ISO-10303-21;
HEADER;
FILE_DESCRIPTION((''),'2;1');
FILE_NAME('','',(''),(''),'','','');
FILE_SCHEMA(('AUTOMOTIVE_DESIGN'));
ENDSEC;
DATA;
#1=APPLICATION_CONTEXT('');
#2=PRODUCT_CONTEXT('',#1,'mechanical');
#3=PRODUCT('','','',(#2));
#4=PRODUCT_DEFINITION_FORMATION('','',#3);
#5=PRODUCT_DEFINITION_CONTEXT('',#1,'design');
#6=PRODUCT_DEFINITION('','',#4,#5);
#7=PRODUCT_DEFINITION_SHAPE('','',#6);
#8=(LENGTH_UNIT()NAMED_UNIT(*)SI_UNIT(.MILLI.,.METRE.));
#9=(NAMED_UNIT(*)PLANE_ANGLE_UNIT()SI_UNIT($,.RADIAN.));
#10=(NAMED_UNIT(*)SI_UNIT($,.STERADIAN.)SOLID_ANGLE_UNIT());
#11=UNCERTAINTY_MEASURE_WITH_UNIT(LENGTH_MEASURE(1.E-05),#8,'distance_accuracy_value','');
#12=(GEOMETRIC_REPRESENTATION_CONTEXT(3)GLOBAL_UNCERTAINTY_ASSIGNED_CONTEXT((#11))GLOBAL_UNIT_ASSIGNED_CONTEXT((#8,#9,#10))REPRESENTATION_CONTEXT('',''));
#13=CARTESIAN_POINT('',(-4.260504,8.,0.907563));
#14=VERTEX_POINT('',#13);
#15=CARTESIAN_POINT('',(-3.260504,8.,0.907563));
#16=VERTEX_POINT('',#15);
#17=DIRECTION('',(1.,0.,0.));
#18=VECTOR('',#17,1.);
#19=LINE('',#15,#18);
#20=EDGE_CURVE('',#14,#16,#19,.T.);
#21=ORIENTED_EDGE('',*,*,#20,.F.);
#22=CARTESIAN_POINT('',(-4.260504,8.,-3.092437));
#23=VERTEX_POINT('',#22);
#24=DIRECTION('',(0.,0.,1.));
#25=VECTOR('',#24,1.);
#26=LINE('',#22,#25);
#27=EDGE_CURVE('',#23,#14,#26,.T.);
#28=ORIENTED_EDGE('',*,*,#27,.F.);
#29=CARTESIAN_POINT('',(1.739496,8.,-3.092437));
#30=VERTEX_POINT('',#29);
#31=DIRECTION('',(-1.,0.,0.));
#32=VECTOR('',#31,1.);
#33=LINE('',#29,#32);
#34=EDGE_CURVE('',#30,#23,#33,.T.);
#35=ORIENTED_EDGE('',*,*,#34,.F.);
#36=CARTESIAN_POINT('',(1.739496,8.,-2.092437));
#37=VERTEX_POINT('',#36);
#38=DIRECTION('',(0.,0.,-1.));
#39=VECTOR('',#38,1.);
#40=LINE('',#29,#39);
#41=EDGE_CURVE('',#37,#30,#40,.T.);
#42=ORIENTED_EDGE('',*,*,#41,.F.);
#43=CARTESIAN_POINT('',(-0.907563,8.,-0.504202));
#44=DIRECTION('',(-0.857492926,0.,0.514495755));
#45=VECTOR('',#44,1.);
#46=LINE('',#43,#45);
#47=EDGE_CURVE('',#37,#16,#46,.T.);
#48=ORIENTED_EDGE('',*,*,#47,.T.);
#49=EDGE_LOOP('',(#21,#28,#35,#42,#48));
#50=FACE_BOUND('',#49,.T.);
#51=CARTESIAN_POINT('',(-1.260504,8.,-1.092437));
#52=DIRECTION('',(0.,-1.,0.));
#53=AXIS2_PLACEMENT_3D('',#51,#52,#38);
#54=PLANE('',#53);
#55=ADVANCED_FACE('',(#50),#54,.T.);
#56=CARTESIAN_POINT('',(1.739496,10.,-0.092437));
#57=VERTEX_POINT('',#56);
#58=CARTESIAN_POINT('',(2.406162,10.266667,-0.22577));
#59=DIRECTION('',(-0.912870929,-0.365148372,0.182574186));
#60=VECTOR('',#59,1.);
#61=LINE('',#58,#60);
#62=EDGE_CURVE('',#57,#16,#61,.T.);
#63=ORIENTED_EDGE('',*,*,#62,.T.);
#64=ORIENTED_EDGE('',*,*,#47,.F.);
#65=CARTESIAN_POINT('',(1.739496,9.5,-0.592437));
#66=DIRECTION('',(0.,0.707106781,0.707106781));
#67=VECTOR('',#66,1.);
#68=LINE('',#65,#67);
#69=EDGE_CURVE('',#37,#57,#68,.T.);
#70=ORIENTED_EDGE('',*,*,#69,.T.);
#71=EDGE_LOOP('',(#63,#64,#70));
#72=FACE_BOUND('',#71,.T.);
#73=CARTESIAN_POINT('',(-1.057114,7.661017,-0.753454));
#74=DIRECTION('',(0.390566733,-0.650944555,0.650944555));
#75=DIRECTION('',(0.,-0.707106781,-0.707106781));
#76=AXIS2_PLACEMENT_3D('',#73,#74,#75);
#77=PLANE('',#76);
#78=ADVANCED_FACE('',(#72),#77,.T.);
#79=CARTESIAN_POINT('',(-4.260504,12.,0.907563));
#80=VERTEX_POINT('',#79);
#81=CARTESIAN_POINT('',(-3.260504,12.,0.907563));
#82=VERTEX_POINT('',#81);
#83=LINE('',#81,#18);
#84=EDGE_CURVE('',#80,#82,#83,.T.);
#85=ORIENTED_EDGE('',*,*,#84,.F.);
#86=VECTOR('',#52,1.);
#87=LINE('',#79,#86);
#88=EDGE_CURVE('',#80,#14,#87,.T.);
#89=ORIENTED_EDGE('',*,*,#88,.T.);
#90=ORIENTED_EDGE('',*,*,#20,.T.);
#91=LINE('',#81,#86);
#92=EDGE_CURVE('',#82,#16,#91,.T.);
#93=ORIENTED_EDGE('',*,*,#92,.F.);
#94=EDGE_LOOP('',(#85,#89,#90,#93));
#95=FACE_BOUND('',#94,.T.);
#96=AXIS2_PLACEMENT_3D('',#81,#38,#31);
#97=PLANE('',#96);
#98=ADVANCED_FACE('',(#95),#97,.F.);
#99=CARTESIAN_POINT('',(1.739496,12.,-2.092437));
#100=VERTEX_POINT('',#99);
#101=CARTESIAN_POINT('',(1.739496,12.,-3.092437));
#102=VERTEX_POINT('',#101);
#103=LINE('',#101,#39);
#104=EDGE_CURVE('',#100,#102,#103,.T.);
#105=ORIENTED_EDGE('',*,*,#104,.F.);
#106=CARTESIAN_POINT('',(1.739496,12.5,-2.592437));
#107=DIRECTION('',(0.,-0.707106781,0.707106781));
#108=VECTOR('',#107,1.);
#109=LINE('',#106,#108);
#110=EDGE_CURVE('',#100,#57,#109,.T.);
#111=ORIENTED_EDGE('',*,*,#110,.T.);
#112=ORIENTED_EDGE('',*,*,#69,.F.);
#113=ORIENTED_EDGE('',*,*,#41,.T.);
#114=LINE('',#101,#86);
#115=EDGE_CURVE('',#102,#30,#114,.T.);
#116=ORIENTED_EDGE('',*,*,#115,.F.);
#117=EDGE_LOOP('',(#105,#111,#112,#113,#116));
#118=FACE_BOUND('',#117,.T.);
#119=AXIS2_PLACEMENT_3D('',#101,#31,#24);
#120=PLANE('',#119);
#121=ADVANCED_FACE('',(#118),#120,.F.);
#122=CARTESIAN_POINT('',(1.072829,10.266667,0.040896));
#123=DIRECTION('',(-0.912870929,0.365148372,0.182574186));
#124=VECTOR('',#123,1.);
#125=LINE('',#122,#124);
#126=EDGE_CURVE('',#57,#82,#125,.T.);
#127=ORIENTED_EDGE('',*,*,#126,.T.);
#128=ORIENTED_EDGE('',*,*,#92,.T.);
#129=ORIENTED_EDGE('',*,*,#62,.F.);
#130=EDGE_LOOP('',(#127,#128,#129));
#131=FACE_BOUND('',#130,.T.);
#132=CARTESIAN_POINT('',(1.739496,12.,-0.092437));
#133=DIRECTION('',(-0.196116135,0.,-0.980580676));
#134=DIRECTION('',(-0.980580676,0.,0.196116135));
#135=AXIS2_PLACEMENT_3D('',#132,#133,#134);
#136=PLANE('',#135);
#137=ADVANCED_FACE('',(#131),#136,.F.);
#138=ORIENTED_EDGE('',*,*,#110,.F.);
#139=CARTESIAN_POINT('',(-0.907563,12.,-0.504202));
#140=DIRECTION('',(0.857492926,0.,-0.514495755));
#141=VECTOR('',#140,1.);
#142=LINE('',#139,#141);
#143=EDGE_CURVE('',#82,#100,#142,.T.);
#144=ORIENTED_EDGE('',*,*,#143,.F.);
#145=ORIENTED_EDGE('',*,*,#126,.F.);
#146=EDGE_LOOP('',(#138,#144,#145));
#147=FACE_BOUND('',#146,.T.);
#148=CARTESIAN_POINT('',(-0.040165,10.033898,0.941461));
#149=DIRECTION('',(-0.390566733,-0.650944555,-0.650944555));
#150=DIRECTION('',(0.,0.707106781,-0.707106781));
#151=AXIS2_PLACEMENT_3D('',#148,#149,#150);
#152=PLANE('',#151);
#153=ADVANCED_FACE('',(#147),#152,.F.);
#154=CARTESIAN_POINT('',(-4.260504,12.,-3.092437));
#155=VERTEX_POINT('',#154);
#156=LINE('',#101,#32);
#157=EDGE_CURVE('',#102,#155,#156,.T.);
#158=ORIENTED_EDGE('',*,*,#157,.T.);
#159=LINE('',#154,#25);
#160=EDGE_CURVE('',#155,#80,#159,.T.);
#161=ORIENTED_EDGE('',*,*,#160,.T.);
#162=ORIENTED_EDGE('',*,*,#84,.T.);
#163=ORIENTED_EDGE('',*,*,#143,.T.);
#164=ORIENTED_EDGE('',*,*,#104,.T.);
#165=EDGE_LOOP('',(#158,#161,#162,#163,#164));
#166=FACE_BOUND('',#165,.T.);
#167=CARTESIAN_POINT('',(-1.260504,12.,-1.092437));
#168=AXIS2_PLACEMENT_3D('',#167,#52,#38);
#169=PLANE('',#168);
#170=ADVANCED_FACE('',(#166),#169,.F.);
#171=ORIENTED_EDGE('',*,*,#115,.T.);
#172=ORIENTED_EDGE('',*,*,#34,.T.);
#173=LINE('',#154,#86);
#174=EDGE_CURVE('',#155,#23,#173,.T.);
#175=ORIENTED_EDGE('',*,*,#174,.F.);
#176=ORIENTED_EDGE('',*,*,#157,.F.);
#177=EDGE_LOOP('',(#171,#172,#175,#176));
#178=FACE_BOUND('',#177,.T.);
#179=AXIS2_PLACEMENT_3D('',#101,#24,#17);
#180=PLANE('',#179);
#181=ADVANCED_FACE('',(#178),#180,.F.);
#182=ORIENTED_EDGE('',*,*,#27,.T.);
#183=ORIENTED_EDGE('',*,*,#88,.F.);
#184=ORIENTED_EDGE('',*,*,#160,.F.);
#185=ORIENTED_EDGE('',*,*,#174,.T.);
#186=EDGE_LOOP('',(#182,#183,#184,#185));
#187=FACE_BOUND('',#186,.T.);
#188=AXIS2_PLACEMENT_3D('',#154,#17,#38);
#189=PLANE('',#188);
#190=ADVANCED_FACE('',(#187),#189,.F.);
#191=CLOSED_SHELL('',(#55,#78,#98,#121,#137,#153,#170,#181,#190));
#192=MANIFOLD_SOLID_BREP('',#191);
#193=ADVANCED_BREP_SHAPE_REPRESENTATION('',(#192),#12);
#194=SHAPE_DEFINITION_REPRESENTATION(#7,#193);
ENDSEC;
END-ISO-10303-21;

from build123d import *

# Parameters (mm, degrees)
EXTRUDE_1_DEPTH     = 20
SKETCH_4_W          = 39.68109217
SKETCH_4_H          = 19.592945183
CUT_EXTRUDE_1_DEPTH = 20
SKETCH_7_W          = 132.193091595
SKETCH_7_H          = 30.201739996
CUT_EXTRUDE_2_DEPTH = 20
SCALE_1_SCALE       = 0.2


with BuildPart() as part:
    # 草圖1 → 填料-伸長1 (new body)
    with BuildSketch(Plane(origin=(0, 0, 0), x_dir=(1, 0, 0), z_dir=(0, 1, 0))):
        Polygon((15, -5), (-10, -10), (-15, -10), (-15, 10), (15, 10), align=None)
    extrude(amount=EXTRUDE_1_DEPTH)

    # 草圖4 → 除料-伸長1 (cut)
    with BuildSketch(Plane(origin=(6.101694915, 10.169491525, 10.169491525), x_dir=(0.920574618, -0.276172385, -0.276172385), z_dir=(0.390566733, 0.650944555, 0.650944555))):
        with Locations((1.579314275, 10.72678571)):
            Rectangle(SKETCH_4_W, SKETCH_4_H)
    extrude(amount=CUT_EXTRUDE_1_DEPTH, mode=Mode.SUBTRACT)

    # 草圖7 → 除料-伸長2 (cut)
    with BuildSketch(Plane(origin=(1.016949153, -1.694915254, 1.694915254), x_dir=(-0.920574618, -0.276172385, 0.276172385), z_dir=(-0.390566733, 0.650944555, -0.650944555))):
        with Locations((9.754035329, 10.9182289)):
            Rectangle(SKETCH_7_W, SKETCH_7_H)
    extrude(amount=-CUT_EXTRUDE_2_DEPTH, mode=Mode.SUBTRACT)


with BuildPart() as part_1:
    # 縮放比例1: scaled about (-1.575630252, 10, -1.365546218)
    add(part.part.scale(SCALE_1_SCALE).moved(Location((-1.260504202, 8, -1.092436974))))


solid = part_1.part
